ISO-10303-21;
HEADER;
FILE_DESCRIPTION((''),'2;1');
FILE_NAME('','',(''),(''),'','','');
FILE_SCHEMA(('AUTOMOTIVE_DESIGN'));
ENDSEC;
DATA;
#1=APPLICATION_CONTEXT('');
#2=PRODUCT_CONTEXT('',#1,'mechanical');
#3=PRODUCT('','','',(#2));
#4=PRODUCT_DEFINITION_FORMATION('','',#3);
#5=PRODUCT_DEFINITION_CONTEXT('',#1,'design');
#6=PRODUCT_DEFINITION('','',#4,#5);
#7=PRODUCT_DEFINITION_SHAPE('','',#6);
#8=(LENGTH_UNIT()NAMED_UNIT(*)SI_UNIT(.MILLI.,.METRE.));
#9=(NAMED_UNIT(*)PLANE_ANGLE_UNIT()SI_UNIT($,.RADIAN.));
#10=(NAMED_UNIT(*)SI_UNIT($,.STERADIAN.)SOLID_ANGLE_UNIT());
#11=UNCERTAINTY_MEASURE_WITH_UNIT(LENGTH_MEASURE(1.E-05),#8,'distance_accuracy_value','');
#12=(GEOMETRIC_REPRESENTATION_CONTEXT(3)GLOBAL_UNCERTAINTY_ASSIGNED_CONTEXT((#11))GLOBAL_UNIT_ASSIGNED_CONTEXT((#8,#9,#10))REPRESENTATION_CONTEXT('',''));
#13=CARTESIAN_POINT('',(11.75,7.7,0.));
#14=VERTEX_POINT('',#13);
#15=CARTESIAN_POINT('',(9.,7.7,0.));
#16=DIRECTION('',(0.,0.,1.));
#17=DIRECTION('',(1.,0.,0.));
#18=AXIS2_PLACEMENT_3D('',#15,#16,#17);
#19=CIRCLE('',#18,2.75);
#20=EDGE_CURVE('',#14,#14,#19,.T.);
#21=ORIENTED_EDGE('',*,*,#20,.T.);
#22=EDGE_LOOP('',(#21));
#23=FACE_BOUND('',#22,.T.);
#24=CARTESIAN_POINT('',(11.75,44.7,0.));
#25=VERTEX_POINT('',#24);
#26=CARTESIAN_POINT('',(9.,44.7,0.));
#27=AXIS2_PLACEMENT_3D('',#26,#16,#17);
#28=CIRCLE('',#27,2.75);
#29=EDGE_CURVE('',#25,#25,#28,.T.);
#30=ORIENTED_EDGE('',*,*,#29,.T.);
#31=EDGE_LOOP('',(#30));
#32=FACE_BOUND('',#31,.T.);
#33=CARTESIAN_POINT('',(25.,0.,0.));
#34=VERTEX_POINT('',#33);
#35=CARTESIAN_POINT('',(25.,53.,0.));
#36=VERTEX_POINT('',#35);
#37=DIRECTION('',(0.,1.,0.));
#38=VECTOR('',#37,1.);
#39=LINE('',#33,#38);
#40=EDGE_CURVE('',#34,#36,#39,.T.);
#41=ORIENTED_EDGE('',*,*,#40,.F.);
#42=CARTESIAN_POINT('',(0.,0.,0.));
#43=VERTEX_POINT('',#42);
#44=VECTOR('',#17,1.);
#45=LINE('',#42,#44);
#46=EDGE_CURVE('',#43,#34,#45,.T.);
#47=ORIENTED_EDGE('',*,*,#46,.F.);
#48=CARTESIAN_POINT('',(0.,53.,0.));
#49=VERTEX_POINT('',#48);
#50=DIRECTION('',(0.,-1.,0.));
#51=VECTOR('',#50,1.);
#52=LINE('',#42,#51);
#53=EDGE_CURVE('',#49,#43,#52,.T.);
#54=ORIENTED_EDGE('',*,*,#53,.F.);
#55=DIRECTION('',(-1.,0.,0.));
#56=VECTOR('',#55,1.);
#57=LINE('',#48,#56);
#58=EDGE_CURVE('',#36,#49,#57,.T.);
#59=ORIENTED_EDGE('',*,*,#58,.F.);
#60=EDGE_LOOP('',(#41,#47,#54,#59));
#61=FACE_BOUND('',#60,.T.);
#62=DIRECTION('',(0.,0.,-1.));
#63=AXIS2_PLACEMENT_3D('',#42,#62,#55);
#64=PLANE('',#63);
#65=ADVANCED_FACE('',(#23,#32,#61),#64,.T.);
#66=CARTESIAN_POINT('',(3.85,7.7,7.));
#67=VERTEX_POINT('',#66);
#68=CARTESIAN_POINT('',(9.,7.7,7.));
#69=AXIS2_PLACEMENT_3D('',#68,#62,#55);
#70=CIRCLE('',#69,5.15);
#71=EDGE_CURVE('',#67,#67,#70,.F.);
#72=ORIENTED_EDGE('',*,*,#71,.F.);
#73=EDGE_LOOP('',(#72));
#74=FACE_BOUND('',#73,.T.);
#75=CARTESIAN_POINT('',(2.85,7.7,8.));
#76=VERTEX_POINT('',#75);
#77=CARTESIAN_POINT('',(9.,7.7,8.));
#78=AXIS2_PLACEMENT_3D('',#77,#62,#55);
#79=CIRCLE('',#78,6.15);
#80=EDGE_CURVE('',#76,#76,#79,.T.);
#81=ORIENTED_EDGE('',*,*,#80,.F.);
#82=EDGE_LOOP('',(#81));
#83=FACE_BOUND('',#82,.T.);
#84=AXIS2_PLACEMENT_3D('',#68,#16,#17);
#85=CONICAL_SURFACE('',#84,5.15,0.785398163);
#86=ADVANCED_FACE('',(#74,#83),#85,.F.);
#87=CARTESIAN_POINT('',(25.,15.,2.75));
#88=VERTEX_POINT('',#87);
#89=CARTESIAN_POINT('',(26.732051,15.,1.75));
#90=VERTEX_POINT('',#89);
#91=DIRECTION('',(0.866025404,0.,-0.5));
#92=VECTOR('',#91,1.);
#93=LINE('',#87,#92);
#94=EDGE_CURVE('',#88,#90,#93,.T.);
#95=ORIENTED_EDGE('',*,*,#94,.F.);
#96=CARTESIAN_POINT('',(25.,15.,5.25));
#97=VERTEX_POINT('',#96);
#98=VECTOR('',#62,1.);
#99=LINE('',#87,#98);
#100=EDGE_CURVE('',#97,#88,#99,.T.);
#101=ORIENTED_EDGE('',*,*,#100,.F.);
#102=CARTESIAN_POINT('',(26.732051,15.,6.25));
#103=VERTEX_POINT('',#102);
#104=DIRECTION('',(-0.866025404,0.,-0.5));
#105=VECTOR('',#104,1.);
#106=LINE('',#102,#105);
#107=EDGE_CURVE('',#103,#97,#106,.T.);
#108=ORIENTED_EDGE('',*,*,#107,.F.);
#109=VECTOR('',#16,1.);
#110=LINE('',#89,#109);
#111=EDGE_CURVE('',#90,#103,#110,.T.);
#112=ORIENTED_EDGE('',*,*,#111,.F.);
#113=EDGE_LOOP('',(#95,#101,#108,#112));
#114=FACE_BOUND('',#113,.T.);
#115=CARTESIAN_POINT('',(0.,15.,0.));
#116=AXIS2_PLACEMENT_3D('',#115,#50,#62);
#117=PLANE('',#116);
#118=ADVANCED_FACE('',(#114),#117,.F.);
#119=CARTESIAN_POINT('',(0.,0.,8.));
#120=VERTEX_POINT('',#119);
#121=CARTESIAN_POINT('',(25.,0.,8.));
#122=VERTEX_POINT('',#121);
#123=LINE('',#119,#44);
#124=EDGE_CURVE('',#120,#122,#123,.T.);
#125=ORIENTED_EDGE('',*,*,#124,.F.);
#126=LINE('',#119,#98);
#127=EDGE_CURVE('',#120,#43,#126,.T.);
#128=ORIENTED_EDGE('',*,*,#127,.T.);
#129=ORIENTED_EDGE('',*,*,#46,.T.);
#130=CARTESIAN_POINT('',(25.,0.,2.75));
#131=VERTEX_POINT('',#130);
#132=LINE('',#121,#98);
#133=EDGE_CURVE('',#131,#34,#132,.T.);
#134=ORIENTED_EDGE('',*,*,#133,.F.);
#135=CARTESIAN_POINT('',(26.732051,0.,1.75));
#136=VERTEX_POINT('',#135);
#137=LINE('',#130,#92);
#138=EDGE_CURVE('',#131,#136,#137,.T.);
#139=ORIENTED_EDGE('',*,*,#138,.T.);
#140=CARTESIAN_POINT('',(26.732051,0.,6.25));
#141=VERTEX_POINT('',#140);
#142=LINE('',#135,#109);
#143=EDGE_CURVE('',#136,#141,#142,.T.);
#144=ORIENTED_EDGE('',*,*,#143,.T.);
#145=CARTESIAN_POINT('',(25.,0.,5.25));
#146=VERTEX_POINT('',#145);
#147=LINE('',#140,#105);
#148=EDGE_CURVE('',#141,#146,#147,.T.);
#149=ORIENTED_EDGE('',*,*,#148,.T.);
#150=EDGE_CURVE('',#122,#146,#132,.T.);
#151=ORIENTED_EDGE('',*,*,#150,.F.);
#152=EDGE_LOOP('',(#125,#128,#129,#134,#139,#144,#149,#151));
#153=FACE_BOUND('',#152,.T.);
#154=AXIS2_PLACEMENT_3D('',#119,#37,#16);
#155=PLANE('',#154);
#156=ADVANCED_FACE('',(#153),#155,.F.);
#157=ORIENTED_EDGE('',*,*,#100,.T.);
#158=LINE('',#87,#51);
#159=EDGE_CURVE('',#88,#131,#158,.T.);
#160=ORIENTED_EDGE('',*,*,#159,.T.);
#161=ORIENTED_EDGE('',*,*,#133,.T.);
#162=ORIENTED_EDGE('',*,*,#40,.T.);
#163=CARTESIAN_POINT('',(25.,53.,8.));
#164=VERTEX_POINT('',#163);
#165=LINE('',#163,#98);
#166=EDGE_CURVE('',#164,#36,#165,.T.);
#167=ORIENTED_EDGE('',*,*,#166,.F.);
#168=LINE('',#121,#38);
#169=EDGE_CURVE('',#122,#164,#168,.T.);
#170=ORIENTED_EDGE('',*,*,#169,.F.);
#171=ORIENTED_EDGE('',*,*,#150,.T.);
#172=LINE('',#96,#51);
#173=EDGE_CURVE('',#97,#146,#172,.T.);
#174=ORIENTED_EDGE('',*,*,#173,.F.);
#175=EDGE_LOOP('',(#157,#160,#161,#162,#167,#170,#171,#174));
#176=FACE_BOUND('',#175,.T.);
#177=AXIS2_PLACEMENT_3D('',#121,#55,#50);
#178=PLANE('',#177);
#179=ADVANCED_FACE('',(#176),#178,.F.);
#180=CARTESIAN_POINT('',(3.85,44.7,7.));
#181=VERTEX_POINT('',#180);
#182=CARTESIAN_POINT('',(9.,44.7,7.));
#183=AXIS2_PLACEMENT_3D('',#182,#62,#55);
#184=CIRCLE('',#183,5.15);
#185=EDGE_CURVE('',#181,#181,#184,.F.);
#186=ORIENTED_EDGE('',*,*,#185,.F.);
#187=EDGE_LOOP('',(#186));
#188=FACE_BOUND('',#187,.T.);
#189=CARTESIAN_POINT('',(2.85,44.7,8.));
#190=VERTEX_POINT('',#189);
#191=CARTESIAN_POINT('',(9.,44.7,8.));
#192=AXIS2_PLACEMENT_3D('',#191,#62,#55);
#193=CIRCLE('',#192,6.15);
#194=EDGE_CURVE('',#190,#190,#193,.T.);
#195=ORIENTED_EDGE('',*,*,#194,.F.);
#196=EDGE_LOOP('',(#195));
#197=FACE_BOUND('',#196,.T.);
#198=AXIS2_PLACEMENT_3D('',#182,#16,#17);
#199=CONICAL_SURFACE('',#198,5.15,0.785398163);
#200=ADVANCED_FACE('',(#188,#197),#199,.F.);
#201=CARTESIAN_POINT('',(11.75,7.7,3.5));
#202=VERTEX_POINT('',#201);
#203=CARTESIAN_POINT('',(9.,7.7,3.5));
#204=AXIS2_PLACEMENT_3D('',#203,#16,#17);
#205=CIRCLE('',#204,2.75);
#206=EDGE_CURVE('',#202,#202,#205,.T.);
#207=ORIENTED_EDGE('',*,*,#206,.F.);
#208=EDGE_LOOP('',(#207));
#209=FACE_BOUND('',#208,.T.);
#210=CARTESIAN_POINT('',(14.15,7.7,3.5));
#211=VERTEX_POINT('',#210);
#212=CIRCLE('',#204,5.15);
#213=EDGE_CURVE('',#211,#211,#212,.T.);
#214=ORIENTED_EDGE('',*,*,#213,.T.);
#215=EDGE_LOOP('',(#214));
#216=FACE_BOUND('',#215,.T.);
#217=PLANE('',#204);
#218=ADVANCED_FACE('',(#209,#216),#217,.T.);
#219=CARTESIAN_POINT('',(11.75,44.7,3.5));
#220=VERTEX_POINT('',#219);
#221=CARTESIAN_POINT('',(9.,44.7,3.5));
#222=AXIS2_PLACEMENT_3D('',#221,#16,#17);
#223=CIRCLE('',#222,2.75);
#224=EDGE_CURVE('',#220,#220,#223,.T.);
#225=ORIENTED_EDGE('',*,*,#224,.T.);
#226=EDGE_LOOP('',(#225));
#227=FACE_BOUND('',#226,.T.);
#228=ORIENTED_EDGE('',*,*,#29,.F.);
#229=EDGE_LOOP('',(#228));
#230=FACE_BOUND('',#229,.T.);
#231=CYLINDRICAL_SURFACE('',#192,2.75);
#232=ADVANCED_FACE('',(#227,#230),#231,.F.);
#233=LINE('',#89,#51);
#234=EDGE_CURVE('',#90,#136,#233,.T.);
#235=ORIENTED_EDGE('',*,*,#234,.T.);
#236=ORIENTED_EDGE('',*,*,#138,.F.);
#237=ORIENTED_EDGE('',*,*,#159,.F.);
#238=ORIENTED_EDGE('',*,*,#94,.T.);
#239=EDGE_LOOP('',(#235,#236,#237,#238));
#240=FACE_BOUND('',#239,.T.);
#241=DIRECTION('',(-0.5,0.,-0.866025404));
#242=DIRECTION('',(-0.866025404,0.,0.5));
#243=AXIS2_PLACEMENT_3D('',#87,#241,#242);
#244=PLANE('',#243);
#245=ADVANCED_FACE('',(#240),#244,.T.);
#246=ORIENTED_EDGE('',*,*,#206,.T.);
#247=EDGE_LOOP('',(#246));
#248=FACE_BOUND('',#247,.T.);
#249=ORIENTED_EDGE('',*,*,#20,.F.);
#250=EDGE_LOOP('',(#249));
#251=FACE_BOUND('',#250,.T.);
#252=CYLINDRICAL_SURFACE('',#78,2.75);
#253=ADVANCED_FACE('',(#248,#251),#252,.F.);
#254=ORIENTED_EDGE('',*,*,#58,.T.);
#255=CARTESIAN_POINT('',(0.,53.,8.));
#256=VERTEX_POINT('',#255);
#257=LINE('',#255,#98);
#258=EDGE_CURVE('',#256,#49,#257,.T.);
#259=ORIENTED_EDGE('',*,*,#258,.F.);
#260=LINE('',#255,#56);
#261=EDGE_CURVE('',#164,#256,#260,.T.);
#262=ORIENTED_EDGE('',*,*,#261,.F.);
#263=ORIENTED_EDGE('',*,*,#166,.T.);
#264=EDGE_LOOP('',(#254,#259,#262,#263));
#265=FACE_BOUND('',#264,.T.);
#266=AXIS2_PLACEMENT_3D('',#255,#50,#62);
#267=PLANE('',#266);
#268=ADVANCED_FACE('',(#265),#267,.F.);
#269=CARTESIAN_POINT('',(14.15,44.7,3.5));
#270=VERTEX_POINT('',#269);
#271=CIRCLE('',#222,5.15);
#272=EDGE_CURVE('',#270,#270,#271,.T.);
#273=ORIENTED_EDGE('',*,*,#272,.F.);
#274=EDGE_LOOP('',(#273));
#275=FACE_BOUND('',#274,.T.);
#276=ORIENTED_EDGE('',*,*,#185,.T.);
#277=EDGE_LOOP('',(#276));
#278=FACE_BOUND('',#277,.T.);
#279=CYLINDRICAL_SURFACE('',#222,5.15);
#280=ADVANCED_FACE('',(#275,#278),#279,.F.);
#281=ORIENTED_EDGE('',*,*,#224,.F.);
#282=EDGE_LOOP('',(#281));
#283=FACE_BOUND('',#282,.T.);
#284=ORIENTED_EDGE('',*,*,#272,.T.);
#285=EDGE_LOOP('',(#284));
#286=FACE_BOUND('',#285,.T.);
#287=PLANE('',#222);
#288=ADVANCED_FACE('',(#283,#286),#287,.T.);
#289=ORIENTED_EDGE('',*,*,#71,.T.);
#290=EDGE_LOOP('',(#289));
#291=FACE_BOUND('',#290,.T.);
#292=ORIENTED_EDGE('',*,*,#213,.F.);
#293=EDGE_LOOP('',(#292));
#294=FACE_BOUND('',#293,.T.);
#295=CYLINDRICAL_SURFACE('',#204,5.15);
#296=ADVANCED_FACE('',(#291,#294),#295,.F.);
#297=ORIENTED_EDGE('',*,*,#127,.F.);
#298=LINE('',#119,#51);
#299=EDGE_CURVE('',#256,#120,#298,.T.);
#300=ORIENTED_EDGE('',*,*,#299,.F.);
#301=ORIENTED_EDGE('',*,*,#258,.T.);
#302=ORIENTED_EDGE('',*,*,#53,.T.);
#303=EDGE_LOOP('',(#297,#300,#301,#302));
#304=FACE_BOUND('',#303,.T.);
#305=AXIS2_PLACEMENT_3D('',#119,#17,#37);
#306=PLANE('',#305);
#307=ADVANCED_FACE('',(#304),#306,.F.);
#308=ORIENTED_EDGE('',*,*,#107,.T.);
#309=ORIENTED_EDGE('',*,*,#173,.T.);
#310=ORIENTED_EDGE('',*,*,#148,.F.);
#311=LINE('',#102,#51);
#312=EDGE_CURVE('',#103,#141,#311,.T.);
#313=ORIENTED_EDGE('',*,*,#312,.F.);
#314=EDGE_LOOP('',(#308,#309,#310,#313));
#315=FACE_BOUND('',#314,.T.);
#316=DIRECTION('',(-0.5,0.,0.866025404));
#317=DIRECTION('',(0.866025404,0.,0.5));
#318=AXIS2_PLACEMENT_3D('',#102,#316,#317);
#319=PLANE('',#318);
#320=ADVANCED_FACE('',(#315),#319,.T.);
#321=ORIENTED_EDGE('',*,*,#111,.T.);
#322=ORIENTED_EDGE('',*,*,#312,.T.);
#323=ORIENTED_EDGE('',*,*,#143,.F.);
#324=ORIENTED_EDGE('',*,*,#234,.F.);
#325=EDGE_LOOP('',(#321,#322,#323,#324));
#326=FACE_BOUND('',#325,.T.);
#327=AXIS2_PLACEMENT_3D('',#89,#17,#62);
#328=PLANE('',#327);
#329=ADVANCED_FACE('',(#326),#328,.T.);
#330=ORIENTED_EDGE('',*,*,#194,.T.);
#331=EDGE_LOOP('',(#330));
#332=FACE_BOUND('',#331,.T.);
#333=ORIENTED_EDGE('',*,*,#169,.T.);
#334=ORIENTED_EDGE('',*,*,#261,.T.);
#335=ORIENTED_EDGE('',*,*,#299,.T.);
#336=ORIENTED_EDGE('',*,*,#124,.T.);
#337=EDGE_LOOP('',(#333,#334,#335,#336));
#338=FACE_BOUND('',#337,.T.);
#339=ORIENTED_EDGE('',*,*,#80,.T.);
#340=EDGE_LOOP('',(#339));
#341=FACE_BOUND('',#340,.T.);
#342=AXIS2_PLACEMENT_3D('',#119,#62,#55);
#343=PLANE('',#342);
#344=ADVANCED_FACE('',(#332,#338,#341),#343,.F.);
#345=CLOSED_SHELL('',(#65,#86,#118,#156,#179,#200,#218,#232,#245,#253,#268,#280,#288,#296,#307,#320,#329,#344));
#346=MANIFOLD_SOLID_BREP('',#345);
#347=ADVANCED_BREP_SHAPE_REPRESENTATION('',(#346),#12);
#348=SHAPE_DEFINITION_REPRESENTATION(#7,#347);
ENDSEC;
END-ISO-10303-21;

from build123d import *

# Parameters (mm, degrees)
SKETCH2_W           = 25
SKETCH2_H           = 53
SKETCH2_R           = 2.75
BOSS_EXTRUDE1_DEPTH = 8
BOSS_EXTRUDE2_DEPTH = 15
SKETCH4_R           = 5.15
CUT_EXTRUDE1_DEPTH  = 4.5
CHAMFER1_SIZE       = 1


with BuildPart() as part:
    # Sketch2 → Boss-Extrude1 (new body)
    with BuildSketch(Plane.XY):
        with Locations((12.5, 26.5)):
            Rectangle(SKETCH2_W, SKETCH2_H)
        with Locations((9, 44.7)):
            Circle(SKETCH2_R, mode=Mode.SUBTRACT)
        with Locations((9, 7.7)):
            Circle(SKETCH2_R, mode=Mode.SUBTRACT)
    extrude(amount=BOSS_EXTRUDE1_DEPTH)

    # Sketch3 → Boss-Extrude2 (add)
    with BuildSketch(Plane.XZ):
        Polygon((25, 2.75), (26.732050808, 1.75), (26.732050808, 6.25), (25, 5.25), align=None)
    extrude(amount=-BOSS_EXTRUDE2_DEPTH)

    # Sketch4 → Cut-Extrude1 (cut)
    with BuildSketch(Plane.XY.offset(8)):
        with Locations((9, 44.7)):
            Circle(SKETCH4_R)
        with Locations((9, 7.7)):
            Circle(SKETCH4_R)
    extrude(amount=-CUT_EXTRUDE1_DEPTH, mode=Mode.SUBTRACT)

    # Chamfer1
    chamfer1_edges = [part.edges().sort_by_distance(p)[0] for p in [
        (3.85, 44.7, 8),
        (3.85, 7.7, 8),
    ]]
    chamfer(chamfer1_edges, length=CHAMFER1_SIZE)


solid = part.part
